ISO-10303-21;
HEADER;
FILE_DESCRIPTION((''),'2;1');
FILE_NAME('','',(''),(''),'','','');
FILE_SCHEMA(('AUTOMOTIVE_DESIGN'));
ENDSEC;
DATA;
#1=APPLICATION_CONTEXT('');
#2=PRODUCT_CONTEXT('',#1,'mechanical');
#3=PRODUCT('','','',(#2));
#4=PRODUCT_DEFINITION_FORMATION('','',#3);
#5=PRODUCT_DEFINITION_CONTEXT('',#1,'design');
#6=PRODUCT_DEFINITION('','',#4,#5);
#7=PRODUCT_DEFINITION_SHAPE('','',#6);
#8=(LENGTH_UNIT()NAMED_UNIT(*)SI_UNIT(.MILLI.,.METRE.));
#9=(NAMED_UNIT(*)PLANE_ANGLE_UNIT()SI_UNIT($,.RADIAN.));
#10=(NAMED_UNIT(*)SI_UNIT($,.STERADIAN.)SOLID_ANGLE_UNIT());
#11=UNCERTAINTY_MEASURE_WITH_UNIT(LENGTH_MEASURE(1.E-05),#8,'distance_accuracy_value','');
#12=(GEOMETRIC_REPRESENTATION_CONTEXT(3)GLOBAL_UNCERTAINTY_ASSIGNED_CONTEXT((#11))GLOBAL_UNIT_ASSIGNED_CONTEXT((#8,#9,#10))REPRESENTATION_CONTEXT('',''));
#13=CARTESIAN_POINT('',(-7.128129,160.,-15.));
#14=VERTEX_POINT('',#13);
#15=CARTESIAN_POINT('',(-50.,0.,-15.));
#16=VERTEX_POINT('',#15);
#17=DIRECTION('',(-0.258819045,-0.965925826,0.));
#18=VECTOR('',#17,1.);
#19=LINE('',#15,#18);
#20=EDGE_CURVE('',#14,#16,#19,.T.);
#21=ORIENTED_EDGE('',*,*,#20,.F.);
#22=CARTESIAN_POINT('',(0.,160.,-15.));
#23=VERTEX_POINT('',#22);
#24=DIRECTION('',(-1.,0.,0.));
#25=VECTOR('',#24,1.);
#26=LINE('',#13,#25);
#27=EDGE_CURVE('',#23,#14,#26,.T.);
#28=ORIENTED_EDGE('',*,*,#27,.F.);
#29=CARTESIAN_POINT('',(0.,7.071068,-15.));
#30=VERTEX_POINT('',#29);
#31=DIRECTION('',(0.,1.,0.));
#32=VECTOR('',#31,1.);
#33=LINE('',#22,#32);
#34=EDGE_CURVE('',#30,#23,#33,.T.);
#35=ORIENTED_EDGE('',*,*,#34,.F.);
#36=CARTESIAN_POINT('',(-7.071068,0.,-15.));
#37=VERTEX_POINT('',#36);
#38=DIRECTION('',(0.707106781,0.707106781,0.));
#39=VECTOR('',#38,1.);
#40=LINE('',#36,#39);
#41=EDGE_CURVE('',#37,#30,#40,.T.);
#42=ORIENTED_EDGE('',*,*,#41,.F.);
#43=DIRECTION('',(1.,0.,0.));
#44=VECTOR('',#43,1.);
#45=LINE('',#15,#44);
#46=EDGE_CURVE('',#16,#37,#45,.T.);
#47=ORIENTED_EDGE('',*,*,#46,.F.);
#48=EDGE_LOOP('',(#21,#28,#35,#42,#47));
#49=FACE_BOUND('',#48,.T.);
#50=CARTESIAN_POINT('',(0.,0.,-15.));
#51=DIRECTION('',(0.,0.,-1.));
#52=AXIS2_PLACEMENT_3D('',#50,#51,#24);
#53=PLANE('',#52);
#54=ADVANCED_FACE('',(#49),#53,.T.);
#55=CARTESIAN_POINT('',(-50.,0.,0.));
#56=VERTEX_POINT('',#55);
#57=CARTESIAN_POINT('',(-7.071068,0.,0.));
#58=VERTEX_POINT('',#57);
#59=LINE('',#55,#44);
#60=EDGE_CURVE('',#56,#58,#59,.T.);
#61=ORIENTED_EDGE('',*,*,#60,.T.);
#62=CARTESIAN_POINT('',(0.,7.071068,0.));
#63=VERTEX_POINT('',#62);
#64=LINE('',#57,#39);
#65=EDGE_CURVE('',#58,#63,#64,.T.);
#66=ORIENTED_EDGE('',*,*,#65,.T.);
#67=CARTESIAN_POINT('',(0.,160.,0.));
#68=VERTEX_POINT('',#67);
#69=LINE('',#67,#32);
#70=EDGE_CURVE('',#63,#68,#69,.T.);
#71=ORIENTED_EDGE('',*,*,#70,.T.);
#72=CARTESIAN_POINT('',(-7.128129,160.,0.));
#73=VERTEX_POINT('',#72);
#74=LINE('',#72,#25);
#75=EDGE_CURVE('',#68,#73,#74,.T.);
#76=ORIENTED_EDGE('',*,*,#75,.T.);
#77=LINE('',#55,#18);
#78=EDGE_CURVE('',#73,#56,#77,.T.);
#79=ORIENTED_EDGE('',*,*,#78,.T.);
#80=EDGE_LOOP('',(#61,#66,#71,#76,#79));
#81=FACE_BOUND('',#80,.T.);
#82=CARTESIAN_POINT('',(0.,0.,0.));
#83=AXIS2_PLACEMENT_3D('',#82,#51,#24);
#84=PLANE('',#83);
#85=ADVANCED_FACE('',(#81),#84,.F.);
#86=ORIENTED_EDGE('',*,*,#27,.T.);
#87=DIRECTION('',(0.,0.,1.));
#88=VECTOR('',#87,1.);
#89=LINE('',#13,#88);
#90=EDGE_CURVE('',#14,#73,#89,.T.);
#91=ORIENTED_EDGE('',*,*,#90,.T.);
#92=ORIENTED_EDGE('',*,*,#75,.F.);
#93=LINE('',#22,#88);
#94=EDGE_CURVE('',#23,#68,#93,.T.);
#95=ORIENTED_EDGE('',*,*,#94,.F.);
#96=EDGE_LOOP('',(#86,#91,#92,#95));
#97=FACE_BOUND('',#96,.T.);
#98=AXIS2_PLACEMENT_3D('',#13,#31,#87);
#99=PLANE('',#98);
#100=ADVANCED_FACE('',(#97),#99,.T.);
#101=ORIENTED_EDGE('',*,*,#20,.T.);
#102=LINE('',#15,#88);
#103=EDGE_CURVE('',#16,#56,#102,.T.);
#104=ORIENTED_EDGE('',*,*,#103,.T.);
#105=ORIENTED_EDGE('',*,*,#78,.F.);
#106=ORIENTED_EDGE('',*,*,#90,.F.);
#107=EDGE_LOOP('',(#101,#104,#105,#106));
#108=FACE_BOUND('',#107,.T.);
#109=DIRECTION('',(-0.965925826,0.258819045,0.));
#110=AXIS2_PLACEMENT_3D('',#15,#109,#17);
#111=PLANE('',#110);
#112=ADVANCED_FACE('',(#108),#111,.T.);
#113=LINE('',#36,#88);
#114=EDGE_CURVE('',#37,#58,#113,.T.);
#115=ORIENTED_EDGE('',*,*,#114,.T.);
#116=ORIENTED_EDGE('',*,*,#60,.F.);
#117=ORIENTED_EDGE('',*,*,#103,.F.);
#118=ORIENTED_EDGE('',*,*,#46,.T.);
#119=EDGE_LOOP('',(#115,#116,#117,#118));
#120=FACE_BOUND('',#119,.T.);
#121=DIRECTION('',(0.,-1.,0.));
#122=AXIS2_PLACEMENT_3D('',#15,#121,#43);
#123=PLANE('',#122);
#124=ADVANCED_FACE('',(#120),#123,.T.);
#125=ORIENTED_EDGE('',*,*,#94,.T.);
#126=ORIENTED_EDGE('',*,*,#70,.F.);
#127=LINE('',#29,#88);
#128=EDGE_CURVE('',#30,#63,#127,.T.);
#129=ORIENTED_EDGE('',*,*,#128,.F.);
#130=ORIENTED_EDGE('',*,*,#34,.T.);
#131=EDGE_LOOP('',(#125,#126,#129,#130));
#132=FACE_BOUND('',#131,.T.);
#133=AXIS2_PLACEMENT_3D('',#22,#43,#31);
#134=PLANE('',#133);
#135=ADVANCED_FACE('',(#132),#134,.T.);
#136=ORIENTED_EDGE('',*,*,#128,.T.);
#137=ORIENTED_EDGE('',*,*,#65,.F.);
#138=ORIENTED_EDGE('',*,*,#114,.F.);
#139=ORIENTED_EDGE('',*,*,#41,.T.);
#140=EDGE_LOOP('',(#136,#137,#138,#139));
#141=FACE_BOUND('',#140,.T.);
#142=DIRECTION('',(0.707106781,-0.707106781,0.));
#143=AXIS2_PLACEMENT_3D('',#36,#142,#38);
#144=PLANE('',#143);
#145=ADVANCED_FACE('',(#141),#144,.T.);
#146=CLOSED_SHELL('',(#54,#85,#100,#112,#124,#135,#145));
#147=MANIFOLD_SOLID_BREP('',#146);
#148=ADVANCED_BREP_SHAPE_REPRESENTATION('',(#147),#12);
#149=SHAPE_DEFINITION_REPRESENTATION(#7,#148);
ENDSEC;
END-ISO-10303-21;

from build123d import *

# Parameters (mm, degrees)
BOSS_EXTRUDE1_DEPTH = 15


with BuildPart() as part:
    # Sketch1 → Boss-Extrude1 (new body)
    with BuildSketch(Plane.XY):
        Polygon((-50, 0), (-7.071067812, 0), (0, 7.071067812), (0, 160), (-7.128129211, 160), align=None)
    extrude(amount=-BOSS_EXTRUDE1_DEPTH)


solid = part.part
